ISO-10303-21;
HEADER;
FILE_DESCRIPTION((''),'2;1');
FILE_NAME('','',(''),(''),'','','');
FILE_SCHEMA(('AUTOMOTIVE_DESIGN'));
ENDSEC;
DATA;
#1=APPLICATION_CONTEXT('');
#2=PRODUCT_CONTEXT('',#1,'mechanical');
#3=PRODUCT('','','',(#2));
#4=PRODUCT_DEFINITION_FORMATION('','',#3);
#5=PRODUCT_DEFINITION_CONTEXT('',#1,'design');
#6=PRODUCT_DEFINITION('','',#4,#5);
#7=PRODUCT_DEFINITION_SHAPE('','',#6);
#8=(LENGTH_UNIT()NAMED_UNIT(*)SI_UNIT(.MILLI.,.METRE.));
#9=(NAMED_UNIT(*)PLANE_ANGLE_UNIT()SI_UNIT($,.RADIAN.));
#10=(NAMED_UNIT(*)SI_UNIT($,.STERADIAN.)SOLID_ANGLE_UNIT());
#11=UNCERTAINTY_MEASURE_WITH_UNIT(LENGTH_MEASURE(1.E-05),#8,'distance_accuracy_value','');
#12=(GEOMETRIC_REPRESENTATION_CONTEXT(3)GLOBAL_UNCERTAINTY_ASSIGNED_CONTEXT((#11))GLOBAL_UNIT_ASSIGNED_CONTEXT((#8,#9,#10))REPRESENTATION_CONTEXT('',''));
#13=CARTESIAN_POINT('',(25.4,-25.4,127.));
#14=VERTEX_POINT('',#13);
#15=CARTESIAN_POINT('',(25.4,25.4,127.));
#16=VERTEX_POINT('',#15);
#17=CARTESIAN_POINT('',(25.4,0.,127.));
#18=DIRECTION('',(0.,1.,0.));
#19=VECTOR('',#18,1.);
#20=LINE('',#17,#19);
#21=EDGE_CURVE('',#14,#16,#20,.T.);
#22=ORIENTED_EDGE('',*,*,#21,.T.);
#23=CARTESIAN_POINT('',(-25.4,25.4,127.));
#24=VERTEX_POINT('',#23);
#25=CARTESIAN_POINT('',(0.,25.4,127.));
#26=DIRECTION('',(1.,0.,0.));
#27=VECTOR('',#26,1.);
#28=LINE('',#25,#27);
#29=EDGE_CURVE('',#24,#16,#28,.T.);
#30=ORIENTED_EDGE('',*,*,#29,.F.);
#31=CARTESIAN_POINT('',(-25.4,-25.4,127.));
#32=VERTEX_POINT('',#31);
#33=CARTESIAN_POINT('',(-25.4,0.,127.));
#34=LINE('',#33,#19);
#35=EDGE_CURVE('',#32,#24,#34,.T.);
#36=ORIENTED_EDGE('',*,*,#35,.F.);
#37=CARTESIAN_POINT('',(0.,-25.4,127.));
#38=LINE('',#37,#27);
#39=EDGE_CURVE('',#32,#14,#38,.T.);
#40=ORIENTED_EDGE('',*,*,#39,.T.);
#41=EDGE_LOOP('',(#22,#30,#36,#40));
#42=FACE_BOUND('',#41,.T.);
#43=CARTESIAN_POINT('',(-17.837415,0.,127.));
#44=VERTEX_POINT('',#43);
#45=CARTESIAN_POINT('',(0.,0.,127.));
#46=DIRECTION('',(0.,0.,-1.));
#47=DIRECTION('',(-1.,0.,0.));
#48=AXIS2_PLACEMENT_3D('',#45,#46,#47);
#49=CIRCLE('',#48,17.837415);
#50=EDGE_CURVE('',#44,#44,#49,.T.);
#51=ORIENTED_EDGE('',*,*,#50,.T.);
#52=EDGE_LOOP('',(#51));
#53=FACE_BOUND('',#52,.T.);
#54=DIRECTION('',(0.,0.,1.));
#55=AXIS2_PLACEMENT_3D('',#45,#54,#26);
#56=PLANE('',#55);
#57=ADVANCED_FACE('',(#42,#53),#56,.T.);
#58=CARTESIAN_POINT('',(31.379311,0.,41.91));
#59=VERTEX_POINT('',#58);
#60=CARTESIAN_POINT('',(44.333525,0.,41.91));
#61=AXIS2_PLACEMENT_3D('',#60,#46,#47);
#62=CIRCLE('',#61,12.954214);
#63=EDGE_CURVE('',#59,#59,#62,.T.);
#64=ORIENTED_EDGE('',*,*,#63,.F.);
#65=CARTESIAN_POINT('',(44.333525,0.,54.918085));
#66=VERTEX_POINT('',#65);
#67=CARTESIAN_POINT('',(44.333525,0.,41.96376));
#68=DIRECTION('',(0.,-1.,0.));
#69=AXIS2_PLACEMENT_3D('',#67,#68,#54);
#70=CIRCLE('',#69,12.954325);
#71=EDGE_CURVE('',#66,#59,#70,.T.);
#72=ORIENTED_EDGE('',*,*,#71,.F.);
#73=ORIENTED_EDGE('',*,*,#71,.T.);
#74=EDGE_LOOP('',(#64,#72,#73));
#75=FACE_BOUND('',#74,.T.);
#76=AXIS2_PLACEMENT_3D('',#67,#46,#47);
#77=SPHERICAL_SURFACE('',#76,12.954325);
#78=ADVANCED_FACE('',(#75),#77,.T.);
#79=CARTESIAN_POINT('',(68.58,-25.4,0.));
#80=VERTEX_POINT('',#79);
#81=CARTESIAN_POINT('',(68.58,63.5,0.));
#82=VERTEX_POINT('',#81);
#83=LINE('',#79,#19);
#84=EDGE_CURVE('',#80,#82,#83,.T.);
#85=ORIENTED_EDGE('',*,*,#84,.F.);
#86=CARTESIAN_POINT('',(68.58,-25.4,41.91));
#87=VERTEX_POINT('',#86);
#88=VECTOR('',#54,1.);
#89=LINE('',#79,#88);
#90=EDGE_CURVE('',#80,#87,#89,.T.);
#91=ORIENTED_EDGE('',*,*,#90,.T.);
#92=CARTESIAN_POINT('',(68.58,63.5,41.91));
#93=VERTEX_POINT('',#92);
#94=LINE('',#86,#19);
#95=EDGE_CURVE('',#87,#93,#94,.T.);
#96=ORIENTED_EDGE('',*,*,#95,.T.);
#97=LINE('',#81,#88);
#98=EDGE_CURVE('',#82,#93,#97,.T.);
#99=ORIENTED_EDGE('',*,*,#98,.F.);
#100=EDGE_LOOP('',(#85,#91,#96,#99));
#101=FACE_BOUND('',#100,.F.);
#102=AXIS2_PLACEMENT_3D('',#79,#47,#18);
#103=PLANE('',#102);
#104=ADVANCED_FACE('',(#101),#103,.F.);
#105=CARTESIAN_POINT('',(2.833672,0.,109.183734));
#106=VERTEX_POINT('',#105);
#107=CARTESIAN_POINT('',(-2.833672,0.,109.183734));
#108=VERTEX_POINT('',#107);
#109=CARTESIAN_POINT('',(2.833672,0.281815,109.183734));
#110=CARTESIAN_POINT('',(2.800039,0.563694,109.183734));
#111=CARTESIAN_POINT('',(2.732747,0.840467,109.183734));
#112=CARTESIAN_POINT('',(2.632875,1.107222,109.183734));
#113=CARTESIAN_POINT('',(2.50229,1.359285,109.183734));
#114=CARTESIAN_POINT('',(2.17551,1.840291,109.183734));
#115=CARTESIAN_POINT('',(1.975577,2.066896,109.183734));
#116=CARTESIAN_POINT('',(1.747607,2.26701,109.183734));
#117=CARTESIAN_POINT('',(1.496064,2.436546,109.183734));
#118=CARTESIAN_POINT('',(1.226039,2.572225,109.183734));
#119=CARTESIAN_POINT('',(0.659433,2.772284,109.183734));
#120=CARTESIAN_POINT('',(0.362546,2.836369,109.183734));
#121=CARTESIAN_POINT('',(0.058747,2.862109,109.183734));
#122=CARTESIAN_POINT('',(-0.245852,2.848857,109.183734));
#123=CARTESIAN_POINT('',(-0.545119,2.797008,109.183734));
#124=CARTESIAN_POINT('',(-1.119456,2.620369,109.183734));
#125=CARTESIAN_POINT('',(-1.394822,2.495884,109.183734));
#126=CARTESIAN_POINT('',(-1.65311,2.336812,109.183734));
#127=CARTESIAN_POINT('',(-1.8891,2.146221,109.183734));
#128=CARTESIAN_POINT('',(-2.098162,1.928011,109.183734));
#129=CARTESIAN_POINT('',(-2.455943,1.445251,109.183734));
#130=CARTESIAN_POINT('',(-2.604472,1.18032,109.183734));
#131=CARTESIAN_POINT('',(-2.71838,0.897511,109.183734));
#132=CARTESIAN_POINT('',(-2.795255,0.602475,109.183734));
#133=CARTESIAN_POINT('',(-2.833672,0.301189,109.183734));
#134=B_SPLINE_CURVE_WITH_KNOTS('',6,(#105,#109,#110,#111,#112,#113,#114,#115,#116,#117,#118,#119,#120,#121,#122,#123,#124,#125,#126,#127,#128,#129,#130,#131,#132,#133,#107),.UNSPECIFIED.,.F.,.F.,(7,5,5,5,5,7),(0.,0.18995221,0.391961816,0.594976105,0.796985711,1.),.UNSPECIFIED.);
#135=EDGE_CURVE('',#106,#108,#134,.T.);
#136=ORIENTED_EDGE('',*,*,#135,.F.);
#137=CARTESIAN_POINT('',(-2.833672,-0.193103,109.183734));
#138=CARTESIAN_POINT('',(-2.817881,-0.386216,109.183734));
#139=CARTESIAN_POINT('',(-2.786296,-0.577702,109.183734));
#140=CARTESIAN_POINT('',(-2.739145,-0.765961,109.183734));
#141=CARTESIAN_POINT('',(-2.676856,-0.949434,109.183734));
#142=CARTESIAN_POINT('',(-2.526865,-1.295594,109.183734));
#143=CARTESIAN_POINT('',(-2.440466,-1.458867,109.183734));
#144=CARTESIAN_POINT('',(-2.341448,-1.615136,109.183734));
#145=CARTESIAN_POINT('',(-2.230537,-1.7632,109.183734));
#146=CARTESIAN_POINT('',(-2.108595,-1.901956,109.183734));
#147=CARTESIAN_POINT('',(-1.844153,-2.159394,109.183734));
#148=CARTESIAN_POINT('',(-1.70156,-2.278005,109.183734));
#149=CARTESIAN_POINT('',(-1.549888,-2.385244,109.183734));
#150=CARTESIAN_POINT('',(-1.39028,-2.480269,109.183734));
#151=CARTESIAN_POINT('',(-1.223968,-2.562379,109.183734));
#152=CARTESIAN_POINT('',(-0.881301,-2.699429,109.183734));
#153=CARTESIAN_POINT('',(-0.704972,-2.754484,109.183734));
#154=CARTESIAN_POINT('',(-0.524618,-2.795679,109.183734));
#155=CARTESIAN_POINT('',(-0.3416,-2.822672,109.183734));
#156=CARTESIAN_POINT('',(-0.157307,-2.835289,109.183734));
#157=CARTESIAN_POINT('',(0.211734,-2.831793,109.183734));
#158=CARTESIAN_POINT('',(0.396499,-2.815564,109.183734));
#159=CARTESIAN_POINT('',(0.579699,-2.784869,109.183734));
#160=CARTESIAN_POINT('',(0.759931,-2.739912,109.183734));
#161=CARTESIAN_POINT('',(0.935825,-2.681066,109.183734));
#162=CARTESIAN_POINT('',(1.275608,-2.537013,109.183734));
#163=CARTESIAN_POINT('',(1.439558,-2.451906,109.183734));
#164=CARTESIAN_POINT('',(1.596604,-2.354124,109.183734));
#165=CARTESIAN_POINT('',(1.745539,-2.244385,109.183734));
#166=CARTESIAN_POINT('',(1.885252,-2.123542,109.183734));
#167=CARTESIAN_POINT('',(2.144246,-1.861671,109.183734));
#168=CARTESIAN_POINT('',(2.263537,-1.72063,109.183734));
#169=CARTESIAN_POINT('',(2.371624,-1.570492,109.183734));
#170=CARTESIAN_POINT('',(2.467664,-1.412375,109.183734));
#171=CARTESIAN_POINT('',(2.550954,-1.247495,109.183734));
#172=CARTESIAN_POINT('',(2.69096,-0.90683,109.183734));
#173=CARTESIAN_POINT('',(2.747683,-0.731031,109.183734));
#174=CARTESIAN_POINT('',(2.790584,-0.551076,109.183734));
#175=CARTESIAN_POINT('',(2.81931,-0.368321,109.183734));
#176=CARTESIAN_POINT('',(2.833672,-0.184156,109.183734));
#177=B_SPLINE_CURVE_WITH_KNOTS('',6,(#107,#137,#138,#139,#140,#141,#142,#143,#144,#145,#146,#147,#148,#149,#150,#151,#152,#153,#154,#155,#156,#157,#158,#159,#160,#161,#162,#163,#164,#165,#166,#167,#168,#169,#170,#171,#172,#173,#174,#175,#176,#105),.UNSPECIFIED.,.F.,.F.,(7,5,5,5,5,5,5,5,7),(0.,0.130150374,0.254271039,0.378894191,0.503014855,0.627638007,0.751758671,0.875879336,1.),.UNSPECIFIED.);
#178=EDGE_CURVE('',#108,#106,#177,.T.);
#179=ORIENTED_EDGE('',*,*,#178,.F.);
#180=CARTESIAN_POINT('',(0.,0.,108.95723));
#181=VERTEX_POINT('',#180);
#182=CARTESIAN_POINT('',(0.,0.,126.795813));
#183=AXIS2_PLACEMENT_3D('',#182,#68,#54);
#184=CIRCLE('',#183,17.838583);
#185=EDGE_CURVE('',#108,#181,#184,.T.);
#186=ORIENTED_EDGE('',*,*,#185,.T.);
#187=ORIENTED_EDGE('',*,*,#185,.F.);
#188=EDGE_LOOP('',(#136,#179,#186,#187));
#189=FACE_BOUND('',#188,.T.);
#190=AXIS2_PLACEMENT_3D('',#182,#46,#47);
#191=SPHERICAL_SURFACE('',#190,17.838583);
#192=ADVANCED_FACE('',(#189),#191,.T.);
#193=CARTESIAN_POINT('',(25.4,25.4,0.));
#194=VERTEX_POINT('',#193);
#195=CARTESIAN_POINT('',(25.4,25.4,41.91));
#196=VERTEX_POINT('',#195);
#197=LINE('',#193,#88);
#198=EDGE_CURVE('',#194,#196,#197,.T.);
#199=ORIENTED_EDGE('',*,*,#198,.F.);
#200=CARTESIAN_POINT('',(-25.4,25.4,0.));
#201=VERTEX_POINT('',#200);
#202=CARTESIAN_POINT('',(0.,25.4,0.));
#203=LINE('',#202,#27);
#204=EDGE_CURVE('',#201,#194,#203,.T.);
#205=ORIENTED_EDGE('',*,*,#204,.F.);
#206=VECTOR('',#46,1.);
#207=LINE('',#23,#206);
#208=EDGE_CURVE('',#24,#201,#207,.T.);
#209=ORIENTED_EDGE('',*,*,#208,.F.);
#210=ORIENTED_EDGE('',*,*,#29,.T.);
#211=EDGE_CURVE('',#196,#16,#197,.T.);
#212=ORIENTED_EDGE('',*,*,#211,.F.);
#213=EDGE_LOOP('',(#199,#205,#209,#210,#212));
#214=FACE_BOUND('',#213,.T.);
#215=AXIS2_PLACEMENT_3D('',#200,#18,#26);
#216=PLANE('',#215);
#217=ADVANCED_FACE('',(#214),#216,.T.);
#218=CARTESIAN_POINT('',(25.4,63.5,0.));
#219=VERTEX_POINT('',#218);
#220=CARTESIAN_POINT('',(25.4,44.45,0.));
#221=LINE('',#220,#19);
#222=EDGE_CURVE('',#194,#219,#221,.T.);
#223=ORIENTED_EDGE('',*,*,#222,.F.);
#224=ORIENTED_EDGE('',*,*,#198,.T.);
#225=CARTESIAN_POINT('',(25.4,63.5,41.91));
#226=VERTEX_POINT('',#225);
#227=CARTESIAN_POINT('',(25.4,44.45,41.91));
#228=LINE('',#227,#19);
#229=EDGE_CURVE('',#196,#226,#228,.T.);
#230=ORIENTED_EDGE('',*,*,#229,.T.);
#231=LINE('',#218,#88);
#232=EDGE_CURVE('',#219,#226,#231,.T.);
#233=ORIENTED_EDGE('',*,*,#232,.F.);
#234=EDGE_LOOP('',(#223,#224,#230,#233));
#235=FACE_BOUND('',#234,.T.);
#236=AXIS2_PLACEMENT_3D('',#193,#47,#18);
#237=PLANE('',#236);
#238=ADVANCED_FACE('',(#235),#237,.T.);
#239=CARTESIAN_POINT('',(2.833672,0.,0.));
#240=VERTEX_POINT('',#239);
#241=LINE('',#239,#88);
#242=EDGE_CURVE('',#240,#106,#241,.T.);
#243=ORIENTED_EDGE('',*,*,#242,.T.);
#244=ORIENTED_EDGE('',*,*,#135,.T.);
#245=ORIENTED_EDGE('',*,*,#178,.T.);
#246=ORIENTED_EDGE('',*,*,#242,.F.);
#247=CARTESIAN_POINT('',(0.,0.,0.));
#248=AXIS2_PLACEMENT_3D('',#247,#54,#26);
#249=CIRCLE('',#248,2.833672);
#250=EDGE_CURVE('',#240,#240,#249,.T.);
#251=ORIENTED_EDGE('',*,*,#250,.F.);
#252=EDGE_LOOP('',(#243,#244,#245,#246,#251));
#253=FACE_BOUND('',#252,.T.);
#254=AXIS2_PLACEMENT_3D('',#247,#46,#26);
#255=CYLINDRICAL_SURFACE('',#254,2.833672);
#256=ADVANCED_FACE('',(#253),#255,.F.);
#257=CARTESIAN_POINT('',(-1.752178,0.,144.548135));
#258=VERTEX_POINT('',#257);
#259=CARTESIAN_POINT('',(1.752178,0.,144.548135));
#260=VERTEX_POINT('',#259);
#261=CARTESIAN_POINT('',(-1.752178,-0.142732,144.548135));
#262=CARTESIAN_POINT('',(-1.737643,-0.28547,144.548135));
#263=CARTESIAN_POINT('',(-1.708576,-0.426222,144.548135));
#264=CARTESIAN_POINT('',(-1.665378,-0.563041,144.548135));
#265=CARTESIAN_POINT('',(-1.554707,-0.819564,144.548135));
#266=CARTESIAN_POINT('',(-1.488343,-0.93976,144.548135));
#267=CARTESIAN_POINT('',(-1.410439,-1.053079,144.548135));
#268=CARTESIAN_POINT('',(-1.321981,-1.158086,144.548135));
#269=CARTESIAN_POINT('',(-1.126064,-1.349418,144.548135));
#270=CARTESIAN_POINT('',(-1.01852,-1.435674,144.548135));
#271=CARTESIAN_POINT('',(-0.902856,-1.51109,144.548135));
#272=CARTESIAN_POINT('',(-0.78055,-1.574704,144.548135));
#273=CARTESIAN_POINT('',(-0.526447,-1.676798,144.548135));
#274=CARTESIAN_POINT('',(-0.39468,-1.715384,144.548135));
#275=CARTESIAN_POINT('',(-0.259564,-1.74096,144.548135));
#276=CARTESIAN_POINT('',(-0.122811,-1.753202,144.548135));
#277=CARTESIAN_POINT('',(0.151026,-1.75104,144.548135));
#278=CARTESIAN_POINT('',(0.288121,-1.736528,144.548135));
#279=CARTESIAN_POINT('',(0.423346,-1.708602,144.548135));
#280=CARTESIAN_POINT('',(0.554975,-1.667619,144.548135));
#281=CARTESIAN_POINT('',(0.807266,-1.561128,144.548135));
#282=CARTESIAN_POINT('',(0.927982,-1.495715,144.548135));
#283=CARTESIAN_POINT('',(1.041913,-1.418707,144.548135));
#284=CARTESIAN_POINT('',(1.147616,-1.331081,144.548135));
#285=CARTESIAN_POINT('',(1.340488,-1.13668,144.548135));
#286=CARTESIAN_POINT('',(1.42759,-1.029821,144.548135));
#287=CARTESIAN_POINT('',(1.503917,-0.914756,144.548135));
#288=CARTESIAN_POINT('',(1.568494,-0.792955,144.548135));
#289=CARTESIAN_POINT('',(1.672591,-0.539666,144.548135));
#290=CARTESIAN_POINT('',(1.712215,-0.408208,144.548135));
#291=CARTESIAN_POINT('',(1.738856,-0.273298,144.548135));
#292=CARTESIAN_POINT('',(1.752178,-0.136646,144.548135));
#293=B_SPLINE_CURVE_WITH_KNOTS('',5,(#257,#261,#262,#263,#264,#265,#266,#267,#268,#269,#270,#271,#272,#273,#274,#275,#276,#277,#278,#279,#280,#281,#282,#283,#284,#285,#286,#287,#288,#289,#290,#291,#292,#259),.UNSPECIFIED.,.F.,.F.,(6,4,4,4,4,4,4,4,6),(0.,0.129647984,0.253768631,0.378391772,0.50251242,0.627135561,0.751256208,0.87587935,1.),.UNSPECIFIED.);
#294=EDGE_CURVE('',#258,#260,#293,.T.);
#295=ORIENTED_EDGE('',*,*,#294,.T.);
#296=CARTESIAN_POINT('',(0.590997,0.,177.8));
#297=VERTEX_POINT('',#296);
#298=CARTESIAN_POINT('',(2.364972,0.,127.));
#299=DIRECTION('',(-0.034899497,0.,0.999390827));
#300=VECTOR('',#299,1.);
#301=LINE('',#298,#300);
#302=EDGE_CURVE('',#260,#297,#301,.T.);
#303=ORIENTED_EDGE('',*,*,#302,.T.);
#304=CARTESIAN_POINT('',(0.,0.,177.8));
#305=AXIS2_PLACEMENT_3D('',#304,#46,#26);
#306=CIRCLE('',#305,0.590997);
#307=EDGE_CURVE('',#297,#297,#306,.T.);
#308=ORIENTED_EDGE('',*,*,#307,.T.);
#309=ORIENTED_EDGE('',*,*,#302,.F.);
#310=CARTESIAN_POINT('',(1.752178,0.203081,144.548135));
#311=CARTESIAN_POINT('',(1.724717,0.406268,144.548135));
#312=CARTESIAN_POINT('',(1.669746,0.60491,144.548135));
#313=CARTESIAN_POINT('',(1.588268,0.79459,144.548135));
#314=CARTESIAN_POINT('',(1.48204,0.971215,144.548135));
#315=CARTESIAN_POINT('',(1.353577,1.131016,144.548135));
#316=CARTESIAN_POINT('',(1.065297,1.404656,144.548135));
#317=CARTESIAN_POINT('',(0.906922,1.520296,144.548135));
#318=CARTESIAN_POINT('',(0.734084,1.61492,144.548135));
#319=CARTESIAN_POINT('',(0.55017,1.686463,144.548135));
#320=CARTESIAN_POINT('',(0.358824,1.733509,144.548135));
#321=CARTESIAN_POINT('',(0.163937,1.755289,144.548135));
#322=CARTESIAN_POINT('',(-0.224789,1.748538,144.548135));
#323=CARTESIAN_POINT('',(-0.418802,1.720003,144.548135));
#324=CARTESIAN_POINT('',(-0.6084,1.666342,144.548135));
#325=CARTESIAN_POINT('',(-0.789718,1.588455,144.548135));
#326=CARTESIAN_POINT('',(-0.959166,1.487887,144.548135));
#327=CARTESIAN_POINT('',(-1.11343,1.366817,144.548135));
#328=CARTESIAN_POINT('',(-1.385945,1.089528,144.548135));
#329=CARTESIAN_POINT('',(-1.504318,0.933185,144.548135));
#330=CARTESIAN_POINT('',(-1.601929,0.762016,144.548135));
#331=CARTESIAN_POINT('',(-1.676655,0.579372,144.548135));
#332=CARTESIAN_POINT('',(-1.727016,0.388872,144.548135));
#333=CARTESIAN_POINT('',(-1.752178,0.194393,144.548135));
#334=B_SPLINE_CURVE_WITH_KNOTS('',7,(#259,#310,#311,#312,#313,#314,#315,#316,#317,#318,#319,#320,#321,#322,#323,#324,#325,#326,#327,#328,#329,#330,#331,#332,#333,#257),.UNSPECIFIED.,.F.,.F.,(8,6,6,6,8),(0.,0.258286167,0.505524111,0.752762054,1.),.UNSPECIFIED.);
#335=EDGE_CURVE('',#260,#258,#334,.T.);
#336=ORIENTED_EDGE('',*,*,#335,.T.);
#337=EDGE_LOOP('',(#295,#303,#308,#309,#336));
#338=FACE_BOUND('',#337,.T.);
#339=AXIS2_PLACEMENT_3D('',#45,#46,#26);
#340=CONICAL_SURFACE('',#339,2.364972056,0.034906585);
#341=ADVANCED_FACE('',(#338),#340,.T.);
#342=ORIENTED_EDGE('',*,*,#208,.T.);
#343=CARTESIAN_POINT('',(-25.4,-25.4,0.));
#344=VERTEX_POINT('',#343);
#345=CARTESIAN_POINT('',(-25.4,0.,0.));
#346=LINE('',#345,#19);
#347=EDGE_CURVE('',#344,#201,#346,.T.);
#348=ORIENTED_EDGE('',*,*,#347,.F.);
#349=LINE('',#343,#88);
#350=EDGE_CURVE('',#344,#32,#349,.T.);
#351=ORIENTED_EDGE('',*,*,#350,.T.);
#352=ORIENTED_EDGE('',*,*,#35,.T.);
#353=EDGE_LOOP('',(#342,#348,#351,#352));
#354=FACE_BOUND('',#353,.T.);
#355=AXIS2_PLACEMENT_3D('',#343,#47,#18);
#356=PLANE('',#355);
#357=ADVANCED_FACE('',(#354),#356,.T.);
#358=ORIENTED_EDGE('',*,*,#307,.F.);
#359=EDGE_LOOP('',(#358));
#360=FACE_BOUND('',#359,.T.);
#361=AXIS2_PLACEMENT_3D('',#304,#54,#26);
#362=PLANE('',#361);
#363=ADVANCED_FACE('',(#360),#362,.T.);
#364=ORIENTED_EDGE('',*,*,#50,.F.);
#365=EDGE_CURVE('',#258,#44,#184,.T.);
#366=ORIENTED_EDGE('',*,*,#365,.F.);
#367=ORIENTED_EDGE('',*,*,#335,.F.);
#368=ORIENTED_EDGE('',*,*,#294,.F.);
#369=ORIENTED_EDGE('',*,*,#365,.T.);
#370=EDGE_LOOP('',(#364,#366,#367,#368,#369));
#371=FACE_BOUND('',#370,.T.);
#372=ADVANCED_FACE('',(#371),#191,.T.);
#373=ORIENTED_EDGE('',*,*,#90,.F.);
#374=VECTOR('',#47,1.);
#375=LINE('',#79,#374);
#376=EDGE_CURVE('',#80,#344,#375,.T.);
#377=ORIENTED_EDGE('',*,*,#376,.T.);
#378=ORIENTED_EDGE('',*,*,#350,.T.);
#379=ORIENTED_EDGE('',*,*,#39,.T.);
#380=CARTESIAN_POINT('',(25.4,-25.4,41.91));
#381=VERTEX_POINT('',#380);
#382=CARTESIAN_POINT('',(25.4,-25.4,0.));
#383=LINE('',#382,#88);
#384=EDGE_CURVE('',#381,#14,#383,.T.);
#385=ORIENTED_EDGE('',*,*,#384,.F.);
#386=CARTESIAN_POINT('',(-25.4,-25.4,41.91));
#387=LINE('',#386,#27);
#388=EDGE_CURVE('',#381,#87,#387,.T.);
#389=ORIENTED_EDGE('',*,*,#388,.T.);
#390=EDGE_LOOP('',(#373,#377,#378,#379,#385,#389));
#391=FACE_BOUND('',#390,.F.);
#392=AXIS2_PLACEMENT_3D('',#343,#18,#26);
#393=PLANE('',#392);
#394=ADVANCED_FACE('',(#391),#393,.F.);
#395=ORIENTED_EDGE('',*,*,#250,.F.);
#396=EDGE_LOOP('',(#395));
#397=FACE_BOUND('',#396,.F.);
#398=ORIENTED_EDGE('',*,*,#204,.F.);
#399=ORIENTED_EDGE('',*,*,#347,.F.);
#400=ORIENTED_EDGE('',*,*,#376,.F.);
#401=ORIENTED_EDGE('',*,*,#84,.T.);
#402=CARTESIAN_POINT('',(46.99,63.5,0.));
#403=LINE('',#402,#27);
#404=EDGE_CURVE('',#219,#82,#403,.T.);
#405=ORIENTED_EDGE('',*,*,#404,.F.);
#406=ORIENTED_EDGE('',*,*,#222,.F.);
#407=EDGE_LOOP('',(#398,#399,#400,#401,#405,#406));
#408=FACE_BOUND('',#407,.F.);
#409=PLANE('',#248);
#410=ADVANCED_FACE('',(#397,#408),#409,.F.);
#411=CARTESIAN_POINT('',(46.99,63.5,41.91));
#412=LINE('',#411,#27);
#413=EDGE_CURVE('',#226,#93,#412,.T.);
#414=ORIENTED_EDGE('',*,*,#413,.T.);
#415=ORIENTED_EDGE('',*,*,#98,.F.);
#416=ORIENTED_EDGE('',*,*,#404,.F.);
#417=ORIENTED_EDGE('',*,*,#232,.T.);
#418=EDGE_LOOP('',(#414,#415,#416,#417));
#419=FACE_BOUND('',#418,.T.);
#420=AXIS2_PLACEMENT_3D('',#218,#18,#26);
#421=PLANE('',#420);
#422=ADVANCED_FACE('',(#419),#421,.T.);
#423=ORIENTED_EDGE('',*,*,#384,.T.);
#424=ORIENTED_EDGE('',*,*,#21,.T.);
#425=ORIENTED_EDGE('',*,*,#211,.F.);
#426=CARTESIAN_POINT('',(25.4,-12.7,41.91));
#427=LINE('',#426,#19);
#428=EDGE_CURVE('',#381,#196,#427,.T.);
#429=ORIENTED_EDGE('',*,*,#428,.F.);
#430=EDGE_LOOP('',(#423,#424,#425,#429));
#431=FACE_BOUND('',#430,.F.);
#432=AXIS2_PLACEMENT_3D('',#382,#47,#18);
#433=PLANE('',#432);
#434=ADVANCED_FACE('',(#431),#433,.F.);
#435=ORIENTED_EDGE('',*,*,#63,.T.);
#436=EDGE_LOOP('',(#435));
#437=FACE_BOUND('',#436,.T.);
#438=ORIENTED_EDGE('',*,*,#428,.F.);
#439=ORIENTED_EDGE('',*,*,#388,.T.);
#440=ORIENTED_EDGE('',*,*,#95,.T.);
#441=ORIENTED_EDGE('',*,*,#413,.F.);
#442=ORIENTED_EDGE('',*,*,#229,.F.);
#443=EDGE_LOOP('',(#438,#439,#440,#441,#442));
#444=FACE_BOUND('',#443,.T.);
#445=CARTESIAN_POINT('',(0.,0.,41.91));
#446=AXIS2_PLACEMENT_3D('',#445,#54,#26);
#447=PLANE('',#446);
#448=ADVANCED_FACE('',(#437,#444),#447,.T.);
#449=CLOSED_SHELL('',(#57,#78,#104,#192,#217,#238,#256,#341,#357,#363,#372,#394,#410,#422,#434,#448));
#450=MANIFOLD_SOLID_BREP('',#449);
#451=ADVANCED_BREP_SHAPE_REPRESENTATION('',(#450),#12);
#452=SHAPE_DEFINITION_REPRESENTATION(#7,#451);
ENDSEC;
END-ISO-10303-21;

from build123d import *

# Parameters (mm, degrees)
F0_W     = 50.8
F0_H     = 50.8
F0_R     = 2.8336716143
F1_DEPTH = 127
F4_R     = 2.3649720561
F5_DEPTH = 50.8
F5_TAPER = 2
F0_W_2   = 43.18
F0_H_2   = 38.1
F6_DEPTH = 41.91


with BuildPart() as f1:
    # F0 (on Top) → F1 (new body)
    with BuildSketch(Plane.XY):
        Rectangle(F0_W, F0_H)
        Circle(F0_R, mode=Mode.SUBTRACT)
    extrude(amount=F1_DEPTH)

    # F2 (on Front) → F3 (revolve)
    with BuildSketch(Plane.XZ):
        with BuildLine():
            Line((0, 108.9572302283), (0, 144.6343966542))
            ThreePointArc((0, 144.6343966542), (-17.8385832129, 126.7958134413), (0, 108.9572302283))
        make_face()
    revolve(axis=Axis((0, 0, 74.6575031662), (0, 0, -1)))

    # F4 (on face) → F5 (join)
    with BuildSketch(Plane.XY.offset(127)):
        Circle(F4_R)
    extrude(amount=F5_DEPTH, taper=F5_TAPER)

    # F0 (on Top) → F6 (join)
    with BuildSketch(Plane.XY):
        Rectangle(F0_W, F0_H)
        Circle(F0_R, mode=Mode.SUBTRACT)
        with Locations((46.99, 0)):
            Rectangle(F0_W_2, F0_H)
        with Locations((46.99, 44.45)):
            Rectangle(F0_W_2, F0_H_2)
    extrude(amount=F6_DEPTH)

    # F7 (on Front) → F8 (revolve)
    with BuildSketch(Plane.XZ):
        with BuildLine():
            Line((44.333525002, 29.0094343104), (44.333525002, 54.918085309))
            ThreePointArc((44.333525002, 54.918085309), (31.3791995027, 41.9637598097), (44.333525002, 29.0094343104))
        make_face()
    revolve(axis=Axis((44.333525002, 0, 30.4748073686), (0, 0, -1)))


solid = f1.part
